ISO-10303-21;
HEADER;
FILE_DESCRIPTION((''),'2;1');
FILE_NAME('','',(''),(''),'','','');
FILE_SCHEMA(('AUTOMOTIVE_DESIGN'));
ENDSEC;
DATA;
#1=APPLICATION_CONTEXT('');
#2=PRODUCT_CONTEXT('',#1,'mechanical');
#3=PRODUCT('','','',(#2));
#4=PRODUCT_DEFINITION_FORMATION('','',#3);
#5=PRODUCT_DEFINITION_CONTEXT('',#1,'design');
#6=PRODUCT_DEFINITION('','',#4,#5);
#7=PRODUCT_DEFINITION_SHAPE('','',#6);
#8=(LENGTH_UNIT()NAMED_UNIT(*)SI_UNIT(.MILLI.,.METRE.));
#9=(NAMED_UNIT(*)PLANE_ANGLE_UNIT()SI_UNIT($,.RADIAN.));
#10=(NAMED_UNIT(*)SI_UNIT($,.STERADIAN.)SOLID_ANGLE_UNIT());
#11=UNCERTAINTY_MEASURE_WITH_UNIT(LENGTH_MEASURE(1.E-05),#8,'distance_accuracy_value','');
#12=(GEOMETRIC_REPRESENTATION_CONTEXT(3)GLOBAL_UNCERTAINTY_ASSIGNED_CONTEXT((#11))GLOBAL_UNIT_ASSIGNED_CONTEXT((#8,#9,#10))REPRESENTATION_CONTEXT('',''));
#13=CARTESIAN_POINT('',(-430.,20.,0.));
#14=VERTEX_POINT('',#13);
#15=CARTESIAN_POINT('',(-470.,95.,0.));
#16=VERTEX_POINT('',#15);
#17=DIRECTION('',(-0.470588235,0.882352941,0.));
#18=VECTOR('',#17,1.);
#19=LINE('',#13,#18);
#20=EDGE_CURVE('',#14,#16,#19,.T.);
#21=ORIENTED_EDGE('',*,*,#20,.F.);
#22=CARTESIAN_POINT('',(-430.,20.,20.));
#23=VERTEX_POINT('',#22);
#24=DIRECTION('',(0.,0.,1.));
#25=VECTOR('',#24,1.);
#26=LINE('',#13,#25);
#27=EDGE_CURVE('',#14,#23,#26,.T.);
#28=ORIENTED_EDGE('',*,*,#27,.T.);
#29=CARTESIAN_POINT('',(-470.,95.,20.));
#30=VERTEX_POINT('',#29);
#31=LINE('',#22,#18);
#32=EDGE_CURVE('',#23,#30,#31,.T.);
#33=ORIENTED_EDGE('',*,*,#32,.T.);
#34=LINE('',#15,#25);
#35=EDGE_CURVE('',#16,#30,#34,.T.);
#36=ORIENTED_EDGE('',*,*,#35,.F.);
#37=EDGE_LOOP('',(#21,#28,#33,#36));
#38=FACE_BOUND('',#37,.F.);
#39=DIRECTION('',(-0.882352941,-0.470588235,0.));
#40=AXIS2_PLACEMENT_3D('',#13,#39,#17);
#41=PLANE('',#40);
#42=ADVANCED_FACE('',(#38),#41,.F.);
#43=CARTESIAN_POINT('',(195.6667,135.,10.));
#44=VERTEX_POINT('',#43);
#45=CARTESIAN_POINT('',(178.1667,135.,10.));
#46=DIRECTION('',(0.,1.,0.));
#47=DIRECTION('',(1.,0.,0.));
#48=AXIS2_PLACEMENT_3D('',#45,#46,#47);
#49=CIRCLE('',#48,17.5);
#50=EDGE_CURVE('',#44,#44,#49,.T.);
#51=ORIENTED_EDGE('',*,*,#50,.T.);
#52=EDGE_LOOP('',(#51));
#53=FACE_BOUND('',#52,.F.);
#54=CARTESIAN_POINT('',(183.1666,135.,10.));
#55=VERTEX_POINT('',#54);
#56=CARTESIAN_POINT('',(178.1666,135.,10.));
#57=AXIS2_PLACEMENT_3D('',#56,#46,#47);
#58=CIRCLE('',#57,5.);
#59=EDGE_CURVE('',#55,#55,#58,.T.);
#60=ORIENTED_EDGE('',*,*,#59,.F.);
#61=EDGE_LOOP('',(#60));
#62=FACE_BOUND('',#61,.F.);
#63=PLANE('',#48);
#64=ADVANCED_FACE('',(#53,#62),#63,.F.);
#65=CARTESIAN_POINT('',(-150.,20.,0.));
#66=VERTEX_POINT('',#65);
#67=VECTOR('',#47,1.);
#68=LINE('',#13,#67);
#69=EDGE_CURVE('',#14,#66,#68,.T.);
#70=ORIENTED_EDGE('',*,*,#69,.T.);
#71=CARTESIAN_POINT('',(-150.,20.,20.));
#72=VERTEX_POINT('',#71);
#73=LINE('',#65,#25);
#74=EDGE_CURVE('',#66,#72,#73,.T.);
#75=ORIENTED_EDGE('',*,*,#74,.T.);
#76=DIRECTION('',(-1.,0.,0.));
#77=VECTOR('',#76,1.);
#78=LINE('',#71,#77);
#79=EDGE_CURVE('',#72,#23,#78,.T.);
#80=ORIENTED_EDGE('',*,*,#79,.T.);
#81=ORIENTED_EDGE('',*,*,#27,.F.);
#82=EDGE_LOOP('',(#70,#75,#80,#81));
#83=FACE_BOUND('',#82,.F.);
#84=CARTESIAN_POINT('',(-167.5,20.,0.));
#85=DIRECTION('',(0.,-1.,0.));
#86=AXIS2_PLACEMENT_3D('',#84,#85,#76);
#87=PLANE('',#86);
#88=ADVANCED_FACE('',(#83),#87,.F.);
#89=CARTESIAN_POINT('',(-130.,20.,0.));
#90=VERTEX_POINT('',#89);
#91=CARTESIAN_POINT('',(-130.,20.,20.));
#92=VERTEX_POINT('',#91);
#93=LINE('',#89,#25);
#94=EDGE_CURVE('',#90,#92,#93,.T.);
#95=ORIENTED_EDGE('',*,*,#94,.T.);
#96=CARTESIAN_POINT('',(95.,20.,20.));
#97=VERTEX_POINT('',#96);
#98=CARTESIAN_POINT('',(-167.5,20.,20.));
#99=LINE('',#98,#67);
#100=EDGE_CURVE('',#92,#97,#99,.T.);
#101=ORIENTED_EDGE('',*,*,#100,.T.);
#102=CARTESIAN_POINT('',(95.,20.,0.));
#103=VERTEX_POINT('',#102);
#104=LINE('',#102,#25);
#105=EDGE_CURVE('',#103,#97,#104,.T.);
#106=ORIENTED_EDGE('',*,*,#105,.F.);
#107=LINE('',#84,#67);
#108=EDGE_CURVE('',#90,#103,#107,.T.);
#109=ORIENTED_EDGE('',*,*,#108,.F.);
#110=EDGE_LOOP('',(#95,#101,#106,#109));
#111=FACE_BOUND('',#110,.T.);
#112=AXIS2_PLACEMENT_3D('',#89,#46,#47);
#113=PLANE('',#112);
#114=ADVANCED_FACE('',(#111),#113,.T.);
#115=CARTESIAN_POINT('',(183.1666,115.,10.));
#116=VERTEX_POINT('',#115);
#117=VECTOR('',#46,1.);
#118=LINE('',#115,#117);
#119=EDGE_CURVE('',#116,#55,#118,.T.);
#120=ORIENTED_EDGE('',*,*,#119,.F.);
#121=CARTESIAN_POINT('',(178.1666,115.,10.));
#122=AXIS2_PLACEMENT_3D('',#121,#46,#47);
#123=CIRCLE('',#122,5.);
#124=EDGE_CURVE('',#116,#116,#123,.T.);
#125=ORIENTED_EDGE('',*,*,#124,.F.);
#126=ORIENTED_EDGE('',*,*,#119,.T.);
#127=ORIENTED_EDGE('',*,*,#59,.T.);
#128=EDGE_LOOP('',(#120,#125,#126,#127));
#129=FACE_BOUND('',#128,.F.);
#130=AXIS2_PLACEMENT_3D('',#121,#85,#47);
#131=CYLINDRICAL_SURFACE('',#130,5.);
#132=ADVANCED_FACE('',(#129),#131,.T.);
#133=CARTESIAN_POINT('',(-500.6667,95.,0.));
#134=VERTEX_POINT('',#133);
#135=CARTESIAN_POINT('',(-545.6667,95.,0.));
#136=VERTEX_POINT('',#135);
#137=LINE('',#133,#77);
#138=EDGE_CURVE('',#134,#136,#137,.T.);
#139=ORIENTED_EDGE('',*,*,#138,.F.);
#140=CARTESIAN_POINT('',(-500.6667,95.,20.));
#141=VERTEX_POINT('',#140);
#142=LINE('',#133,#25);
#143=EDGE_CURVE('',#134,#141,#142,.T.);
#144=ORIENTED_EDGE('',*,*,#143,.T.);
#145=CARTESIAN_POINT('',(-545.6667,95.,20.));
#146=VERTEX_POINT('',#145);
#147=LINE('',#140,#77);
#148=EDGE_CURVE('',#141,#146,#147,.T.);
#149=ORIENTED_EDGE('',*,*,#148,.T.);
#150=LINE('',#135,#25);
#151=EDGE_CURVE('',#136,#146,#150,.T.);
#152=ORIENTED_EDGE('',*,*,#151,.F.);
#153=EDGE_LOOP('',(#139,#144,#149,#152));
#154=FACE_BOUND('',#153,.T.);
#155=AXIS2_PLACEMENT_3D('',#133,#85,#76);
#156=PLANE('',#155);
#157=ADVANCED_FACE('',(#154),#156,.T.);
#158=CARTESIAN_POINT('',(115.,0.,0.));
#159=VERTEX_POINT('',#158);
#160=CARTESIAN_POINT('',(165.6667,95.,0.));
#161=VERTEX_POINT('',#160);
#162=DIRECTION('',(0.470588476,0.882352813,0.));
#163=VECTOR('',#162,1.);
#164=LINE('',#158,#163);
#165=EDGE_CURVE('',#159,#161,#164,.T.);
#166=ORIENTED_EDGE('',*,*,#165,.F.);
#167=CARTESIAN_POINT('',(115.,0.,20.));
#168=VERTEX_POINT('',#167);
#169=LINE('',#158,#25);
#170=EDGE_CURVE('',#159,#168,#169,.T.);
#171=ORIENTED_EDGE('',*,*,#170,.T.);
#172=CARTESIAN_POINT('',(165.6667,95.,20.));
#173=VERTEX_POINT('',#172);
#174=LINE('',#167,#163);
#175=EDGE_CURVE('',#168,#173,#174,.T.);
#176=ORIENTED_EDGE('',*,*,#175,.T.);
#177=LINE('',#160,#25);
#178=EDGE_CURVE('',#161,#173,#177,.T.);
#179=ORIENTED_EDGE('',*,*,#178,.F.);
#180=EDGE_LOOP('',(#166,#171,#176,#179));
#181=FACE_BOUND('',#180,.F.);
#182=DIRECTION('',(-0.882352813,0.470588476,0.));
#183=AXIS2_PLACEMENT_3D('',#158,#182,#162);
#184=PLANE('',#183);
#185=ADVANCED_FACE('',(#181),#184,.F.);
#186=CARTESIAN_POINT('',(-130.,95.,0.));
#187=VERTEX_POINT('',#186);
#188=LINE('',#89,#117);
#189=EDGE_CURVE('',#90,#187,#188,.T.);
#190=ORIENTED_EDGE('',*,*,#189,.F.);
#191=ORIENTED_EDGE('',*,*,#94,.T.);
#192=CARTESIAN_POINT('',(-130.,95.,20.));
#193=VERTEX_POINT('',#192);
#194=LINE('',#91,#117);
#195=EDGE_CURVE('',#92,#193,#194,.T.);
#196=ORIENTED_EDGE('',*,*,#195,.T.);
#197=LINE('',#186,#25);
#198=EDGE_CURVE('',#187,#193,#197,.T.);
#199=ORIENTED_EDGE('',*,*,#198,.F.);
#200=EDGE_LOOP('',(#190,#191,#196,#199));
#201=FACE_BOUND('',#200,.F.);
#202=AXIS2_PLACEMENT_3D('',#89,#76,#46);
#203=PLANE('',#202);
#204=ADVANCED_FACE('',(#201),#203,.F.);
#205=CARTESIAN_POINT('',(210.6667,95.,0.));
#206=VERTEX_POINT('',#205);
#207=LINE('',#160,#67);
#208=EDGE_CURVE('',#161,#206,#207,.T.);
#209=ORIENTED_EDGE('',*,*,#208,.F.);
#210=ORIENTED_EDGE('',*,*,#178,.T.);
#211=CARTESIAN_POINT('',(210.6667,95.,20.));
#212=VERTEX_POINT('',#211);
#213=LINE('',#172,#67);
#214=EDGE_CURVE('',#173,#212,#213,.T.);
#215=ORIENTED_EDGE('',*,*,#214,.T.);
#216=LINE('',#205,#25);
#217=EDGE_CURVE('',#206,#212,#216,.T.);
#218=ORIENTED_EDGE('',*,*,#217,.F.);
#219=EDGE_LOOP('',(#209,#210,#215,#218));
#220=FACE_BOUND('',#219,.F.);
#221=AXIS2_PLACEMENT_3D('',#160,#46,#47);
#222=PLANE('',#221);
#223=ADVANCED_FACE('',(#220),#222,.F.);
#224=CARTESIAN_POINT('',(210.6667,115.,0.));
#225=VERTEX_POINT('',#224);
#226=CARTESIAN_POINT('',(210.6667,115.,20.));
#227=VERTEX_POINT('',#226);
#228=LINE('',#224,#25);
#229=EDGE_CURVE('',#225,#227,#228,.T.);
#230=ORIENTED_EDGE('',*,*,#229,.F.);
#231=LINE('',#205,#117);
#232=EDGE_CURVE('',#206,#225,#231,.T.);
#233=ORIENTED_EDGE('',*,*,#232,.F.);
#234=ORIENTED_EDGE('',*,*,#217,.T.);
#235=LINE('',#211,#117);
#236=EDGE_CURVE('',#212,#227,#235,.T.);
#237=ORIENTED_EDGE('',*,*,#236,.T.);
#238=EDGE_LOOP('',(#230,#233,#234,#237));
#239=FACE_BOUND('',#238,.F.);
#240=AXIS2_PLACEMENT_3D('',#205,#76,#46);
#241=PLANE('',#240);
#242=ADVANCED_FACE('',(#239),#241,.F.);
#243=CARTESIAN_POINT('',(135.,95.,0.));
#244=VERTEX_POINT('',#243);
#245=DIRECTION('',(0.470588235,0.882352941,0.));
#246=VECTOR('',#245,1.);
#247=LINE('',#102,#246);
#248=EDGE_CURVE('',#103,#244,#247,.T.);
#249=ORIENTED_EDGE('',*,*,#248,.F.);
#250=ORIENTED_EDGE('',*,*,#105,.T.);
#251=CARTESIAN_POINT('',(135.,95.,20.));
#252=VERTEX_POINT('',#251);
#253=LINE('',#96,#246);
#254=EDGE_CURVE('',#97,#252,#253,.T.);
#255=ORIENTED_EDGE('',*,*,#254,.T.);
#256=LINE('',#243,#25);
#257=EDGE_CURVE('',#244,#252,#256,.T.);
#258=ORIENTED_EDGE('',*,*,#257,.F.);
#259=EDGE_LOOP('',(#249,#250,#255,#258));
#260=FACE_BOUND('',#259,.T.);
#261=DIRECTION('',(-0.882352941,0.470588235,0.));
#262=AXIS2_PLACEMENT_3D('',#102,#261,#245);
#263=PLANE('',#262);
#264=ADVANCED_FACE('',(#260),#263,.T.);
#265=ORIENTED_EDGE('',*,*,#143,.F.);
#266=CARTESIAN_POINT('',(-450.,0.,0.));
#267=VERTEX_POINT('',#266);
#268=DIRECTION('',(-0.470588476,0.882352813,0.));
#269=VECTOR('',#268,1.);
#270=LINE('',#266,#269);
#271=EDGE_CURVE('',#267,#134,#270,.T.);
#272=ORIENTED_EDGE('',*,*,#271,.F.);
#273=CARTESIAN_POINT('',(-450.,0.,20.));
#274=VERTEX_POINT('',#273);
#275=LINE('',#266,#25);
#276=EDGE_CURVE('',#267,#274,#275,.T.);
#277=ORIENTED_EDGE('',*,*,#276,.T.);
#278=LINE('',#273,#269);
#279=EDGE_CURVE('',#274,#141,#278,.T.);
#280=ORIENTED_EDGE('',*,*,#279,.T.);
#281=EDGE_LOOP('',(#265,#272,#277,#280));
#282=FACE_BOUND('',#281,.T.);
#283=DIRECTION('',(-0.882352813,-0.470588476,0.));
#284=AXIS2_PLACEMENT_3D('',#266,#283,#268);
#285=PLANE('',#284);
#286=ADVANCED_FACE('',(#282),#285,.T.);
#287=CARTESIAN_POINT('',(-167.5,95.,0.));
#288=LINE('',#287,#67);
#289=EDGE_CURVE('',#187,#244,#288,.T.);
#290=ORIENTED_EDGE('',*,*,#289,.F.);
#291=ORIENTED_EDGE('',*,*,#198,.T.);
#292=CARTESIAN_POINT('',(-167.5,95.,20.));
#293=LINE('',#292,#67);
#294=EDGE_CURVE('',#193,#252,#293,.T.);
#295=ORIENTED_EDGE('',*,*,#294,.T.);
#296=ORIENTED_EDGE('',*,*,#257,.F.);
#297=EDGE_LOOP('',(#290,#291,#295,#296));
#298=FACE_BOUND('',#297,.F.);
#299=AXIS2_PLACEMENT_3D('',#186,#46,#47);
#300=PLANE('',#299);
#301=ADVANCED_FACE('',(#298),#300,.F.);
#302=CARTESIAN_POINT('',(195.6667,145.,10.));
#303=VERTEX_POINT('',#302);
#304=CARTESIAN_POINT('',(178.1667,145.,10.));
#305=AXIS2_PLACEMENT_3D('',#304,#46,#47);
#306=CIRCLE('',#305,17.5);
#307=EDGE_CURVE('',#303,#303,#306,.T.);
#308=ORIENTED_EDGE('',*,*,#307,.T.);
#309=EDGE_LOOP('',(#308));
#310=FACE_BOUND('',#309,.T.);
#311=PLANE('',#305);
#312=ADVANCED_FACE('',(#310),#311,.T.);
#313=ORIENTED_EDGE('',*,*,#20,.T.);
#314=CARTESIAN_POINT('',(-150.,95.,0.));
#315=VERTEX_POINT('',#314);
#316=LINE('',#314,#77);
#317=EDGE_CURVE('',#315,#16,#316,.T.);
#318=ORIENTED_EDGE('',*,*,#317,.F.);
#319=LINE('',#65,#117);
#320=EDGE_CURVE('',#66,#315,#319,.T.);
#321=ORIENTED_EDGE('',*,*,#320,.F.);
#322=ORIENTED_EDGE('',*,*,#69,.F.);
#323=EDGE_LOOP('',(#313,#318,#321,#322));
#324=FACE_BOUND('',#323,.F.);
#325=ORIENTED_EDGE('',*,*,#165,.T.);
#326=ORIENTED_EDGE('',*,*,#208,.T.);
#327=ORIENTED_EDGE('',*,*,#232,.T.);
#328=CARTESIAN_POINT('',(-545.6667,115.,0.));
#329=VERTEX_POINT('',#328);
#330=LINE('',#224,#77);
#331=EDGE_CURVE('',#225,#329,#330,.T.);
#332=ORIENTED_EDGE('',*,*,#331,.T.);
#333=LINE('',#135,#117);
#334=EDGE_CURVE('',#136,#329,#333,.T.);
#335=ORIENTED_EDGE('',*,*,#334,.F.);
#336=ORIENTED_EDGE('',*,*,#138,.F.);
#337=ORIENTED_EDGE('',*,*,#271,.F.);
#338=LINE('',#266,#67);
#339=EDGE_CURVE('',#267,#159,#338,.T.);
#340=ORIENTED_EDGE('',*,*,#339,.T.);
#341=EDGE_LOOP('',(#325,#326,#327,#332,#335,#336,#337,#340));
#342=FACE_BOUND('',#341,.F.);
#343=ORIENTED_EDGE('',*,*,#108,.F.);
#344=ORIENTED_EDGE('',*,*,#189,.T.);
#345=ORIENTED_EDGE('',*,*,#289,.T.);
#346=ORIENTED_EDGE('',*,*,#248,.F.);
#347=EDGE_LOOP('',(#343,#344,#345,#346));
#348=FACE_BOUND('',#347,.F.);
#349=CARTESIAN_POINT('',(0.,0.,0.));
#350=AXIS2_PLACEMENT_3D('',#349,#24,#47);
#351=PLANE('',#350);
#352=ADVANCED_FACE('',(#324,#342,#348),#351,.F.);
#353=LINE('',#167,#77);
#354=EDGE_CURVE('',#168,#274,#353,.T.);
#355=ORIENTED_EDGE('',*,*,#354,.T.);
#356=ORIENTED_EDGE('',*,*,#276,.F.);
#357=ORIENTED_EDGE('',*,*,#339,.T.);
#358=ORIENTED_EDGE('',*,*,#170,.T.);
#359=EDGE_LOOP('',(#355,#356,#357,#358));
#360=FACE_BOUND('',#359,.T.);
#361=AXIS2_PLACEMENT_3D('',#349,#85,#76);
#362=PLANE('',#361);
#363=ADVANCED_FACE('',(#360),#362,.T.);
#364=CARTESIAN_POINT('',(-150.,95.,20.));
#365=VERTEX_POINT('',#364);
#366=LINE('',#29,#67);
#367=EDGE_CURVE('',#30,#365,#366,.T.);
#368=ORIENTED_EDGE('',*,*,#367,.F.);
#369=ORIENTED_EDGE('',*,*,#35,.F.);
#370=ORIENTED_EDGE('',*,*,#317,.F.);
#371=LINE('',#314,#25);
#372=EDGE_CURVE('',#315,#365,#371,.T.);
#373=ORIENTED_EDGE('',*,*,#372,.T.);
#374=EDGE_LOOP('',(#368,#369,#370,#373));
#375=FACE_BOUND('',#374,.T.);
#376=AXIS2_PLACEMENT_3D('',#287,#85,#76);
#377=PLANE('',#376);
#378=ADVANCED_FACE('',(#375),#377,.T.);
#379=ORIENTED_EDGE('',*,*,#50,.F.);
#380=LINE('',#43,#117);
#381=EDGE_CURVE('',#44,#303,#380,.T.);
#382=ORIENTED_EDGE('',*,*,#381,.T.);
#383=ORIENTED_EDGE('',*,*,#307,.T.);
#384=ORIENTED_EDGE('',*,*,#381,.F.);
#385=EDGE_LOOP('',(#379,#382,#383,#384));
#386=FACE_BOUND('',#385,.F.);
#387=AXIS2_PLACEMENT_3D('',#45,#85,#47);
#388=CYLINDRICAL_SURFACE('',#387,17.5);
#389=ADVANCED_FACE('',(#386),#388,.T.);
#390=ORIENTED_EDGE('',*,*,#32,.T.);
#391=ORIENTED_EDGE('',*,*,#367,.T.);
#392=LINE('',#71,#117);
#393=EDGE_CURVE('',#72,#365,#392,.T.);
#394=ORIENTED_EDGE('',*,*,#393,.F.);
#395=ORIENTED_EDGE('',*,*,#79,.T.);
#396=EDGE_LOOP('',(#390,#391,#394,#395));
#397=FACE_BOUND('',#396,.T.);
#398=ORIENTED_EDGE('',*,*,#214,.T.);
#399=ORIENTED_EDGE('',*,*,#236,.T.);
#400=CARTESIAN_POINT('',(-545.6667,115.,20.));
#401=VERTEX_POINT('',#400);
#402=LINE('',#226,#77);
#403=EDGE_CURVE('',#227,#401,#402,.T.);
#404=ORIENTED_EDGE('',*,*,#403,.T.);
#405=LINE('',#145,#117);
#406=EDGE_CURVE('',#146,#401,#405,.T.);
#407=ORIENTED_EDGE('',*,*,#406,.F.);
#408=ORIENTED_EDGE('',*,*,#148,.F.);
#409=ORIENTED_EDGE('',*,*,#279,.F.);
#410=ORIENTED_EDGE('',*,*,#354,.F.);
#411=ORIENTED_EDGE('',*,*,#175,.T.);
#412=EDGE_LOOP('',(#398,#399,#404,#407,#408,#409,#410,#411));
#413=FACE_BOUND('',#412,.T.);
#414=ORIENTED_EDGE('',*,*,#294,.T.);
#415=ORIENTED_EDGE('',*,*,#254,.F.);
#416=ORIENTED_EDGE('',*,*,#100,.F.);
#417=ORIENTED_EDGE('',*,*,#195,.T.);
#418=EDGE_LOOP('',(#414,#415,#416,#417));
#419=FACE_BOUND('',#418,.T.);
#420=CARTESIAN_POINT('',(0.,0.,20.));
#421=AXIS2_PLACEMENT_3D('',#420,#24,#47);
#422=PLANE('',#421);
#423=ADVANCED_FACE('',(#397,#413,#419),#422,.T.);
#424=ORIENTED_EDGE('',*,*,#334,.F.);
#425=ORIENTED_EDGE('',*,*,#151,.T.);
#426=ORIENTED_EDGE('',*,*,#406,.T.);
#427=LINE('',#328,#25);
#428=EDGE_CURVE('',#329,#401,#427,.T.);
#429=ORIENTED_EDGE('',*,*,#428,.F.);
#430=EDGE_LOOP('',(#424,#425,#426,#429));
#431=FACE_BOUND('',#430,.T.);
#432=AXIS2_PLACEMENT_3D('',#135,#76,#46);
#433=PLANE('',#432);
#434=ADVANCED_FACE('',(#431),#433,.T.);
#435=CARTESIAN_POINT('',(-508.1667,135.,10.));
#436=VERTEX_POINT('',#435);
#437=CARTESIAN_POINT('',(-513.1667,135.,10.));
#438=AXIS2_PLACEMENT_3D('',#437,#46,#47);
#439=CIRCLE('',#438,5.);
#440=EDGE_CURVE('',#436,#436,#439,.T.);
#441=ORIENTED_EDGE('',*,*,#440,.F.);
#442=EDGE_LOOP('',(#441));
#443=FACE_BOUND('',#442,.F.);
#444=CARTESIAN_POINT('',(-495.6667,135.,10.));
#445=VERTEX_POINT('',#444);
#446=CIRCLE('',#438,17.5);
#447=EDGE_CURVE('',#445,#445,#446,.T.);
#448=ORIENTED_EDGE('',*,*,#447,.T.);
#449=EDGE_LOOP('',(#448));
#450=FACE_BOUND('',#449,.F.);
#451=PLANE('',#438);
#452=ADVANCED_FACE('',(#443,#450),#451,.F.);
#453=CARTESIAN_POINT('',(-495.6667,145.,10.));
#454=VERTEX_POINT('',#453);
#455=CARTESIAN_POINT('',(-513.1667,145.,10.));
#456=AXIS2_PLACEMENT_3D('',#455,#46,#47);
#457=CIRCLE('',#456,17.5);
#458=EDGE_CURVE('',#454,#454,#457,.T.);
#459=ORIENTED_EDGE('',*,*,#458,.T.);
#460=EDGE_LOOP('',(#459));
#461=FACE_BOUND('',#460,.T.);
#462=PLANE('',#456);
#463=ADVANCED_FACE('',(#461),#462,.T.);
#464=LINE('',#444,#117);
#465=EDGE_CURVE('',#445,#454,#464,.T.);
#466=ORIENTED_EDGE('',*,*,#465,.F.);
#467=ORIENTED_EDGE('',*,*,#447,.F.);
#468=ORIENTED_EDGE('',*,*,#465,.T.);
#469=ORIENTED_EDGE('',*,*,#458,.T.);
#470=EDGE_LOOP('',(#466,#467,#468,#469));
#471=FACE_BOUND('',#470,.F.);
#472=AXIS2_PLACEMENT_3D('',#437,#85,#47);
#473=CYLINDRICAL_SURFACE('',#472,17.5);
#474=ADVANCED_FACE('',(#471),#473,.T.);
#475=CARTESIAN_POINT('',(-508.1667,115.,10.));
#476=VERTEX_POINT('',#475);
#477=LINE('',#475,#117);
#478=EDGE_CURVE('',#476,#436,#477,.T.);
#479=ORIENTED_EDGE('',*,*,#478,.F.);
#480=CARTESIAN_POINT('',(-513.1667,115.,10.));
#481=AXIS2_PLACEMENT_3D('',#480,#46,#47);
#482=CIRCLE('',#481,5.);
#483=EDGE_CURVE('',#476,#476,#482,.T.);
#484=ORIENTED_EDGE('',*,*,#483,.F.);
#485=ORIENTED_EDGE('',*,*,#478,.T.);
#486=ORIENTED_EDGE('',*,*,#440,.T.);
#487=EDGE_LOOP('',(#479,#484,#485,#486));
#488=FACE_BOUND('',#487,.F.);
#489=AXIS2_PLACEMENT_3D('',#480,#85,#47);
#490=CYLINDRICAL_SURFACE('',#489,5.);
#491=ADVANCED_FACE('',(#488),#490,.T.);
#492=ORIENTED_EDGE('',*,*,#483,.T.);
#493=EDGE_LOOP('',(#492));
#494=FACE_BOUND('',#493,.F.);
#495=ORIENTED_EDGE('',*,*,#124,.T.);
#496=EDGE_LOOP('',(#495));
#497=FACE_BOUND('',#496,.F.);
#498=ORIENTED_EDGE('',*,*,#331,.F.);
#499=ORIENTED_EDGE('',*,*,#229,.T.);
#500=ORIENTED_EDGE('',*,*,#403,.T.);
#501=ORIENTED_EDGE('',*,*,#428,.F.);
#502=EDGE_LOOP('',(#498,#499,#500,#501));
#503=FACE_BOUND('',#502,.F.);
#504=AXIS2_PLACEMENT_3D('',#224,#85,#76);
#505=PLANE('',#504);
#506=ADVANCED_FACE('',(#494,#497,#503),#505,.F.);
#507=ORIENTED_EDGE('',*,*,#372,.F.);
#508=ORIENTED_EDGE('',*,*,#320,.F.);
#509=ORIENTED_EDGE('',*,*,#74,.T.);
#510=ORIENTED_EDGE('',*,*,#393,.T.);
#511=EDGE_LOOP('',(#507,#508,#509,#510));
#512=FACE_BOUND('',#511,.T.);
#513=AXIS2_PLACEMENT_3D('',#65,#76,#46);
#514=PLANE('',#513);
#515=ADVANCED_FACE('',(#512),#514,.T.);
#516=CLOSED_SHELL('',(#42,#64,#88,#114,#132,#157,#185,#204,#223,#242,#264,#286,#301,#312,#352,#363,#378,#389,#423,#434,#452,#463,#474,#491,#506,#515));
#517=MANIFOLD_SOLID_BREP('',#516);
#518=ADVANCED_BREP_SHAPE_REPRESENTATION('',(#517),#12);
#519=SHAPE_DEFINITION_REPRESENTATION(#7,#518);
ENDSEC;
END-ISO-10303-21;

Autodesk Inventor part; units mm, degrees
ref_plane "YZ Plane" through (0, 0, 0) normal (1, 0, 0) x (0, 1, 0)
ref_plane "XZ Plane" through (0, 0, 0) normal (0, 1, 0) x (-1, 0, 0)
ref_plane "XY Plane" through (0, 0, 0) normal (0, 0, 1) x (1, 0, 0)
sketch "草圖1" plane through (0, 0, 0) normal (0, 0, 1) x (1, 0, 0)
  line L0 (0, 0) -> (115, 0)
  line L1 (0, 0) -> (-450, 0)
  line L2 (-167.5, 95) -> (135, 95)
  line L3 (-167.5, 95) -> (-470, 95)
  line L4 (-167.5, 20) -> (95, 20)
  line L5 (-167.5, 20) -> (-430, 20)
  line L6 (-430, 20) -> (-470, 95)
  line L7 (95, 20) -> (135, 95)
  line L8 (115, 0) -> (165.6667, 95)
  line L9 (165.6667, 95) -> (210.6667, 95)
  line L10 (210.6667, 95) -> (210.6667, 115)
  line L11 (210.6667, 115) -> (-559.3333, 115)
  line L12 (-450, 0) -> (-500.6667, 95)
  line L13 (-500.6667, 95) -> (-545.6667, 95)
  line L14 (-545.6667, 95) -> (-545.6667, 115)
  line L15 (-130, 20) -> (-130, 95)
  line L16 (-130, 20) -> (-150, 20)
  line L17 (-150, 20) -> (-150, 95)
  dimension "d0" = 115
  dimension "d2" = 450
  dimension "d5" = 302.5
  dimension "d6" = 302.5
  dimension "d8" = 262.5
  dimension "d9" = 262.5
  dimension "d10" = 45
  dimension "d11" = 20
  dimension "d13" = 770
  dimension "d14" = 45
  dimension "d16" = 20
extrude "擠出1" add sketch "草圖1" along normal blind 20 contours L1 L12 L13 L14 L11 L10 L9 L8 L0 | L2 L15 L4 L17
sketch "草圖2" plane through (-545.6667, 115, 0) normal (0, 1, 0) x (1, 0, 0)
  line L0 (756.3333, 0) -> (756.3333, -20) projected
  circle A0 centre (723.8333, -10) radius 5
  line L1 (0, 0) -> (0, -20) projected
  circle A1 centre (32.5, -10) radius 5
  point P0 (545.6667, 0)
  dimension "d21" = 10
  dimension "d23" = 10
extrude "擠出2" add sketch "草圖2" along normal blind 20
sketch "草圖3" plane through (-513.1667, 135, 10) normal (0, 1, 0) x (1, 0, 0)
  circle A0 centre (0, 0) radius 5 projected
  circle A1 centre (0, 0) radius 17.5
  point P0 (513.1667, 10)
  dimension "d26" = 35
extrude "擠出3" add sketch "草圖3" along normal blind 10 contours A0 | A1
sketch "草圖4" plane through (178.1667, 135, 10) normal (0, 1, 0) x (1, 0, 0)
  circle A0 centre (0, 0) radius 17.5
  point P0 (-178.1667, 10)
  dimension "d29" = 35
extrude "擠出4" add sketch "草圖4" along normal blind 10
properties part number "DOF7"
